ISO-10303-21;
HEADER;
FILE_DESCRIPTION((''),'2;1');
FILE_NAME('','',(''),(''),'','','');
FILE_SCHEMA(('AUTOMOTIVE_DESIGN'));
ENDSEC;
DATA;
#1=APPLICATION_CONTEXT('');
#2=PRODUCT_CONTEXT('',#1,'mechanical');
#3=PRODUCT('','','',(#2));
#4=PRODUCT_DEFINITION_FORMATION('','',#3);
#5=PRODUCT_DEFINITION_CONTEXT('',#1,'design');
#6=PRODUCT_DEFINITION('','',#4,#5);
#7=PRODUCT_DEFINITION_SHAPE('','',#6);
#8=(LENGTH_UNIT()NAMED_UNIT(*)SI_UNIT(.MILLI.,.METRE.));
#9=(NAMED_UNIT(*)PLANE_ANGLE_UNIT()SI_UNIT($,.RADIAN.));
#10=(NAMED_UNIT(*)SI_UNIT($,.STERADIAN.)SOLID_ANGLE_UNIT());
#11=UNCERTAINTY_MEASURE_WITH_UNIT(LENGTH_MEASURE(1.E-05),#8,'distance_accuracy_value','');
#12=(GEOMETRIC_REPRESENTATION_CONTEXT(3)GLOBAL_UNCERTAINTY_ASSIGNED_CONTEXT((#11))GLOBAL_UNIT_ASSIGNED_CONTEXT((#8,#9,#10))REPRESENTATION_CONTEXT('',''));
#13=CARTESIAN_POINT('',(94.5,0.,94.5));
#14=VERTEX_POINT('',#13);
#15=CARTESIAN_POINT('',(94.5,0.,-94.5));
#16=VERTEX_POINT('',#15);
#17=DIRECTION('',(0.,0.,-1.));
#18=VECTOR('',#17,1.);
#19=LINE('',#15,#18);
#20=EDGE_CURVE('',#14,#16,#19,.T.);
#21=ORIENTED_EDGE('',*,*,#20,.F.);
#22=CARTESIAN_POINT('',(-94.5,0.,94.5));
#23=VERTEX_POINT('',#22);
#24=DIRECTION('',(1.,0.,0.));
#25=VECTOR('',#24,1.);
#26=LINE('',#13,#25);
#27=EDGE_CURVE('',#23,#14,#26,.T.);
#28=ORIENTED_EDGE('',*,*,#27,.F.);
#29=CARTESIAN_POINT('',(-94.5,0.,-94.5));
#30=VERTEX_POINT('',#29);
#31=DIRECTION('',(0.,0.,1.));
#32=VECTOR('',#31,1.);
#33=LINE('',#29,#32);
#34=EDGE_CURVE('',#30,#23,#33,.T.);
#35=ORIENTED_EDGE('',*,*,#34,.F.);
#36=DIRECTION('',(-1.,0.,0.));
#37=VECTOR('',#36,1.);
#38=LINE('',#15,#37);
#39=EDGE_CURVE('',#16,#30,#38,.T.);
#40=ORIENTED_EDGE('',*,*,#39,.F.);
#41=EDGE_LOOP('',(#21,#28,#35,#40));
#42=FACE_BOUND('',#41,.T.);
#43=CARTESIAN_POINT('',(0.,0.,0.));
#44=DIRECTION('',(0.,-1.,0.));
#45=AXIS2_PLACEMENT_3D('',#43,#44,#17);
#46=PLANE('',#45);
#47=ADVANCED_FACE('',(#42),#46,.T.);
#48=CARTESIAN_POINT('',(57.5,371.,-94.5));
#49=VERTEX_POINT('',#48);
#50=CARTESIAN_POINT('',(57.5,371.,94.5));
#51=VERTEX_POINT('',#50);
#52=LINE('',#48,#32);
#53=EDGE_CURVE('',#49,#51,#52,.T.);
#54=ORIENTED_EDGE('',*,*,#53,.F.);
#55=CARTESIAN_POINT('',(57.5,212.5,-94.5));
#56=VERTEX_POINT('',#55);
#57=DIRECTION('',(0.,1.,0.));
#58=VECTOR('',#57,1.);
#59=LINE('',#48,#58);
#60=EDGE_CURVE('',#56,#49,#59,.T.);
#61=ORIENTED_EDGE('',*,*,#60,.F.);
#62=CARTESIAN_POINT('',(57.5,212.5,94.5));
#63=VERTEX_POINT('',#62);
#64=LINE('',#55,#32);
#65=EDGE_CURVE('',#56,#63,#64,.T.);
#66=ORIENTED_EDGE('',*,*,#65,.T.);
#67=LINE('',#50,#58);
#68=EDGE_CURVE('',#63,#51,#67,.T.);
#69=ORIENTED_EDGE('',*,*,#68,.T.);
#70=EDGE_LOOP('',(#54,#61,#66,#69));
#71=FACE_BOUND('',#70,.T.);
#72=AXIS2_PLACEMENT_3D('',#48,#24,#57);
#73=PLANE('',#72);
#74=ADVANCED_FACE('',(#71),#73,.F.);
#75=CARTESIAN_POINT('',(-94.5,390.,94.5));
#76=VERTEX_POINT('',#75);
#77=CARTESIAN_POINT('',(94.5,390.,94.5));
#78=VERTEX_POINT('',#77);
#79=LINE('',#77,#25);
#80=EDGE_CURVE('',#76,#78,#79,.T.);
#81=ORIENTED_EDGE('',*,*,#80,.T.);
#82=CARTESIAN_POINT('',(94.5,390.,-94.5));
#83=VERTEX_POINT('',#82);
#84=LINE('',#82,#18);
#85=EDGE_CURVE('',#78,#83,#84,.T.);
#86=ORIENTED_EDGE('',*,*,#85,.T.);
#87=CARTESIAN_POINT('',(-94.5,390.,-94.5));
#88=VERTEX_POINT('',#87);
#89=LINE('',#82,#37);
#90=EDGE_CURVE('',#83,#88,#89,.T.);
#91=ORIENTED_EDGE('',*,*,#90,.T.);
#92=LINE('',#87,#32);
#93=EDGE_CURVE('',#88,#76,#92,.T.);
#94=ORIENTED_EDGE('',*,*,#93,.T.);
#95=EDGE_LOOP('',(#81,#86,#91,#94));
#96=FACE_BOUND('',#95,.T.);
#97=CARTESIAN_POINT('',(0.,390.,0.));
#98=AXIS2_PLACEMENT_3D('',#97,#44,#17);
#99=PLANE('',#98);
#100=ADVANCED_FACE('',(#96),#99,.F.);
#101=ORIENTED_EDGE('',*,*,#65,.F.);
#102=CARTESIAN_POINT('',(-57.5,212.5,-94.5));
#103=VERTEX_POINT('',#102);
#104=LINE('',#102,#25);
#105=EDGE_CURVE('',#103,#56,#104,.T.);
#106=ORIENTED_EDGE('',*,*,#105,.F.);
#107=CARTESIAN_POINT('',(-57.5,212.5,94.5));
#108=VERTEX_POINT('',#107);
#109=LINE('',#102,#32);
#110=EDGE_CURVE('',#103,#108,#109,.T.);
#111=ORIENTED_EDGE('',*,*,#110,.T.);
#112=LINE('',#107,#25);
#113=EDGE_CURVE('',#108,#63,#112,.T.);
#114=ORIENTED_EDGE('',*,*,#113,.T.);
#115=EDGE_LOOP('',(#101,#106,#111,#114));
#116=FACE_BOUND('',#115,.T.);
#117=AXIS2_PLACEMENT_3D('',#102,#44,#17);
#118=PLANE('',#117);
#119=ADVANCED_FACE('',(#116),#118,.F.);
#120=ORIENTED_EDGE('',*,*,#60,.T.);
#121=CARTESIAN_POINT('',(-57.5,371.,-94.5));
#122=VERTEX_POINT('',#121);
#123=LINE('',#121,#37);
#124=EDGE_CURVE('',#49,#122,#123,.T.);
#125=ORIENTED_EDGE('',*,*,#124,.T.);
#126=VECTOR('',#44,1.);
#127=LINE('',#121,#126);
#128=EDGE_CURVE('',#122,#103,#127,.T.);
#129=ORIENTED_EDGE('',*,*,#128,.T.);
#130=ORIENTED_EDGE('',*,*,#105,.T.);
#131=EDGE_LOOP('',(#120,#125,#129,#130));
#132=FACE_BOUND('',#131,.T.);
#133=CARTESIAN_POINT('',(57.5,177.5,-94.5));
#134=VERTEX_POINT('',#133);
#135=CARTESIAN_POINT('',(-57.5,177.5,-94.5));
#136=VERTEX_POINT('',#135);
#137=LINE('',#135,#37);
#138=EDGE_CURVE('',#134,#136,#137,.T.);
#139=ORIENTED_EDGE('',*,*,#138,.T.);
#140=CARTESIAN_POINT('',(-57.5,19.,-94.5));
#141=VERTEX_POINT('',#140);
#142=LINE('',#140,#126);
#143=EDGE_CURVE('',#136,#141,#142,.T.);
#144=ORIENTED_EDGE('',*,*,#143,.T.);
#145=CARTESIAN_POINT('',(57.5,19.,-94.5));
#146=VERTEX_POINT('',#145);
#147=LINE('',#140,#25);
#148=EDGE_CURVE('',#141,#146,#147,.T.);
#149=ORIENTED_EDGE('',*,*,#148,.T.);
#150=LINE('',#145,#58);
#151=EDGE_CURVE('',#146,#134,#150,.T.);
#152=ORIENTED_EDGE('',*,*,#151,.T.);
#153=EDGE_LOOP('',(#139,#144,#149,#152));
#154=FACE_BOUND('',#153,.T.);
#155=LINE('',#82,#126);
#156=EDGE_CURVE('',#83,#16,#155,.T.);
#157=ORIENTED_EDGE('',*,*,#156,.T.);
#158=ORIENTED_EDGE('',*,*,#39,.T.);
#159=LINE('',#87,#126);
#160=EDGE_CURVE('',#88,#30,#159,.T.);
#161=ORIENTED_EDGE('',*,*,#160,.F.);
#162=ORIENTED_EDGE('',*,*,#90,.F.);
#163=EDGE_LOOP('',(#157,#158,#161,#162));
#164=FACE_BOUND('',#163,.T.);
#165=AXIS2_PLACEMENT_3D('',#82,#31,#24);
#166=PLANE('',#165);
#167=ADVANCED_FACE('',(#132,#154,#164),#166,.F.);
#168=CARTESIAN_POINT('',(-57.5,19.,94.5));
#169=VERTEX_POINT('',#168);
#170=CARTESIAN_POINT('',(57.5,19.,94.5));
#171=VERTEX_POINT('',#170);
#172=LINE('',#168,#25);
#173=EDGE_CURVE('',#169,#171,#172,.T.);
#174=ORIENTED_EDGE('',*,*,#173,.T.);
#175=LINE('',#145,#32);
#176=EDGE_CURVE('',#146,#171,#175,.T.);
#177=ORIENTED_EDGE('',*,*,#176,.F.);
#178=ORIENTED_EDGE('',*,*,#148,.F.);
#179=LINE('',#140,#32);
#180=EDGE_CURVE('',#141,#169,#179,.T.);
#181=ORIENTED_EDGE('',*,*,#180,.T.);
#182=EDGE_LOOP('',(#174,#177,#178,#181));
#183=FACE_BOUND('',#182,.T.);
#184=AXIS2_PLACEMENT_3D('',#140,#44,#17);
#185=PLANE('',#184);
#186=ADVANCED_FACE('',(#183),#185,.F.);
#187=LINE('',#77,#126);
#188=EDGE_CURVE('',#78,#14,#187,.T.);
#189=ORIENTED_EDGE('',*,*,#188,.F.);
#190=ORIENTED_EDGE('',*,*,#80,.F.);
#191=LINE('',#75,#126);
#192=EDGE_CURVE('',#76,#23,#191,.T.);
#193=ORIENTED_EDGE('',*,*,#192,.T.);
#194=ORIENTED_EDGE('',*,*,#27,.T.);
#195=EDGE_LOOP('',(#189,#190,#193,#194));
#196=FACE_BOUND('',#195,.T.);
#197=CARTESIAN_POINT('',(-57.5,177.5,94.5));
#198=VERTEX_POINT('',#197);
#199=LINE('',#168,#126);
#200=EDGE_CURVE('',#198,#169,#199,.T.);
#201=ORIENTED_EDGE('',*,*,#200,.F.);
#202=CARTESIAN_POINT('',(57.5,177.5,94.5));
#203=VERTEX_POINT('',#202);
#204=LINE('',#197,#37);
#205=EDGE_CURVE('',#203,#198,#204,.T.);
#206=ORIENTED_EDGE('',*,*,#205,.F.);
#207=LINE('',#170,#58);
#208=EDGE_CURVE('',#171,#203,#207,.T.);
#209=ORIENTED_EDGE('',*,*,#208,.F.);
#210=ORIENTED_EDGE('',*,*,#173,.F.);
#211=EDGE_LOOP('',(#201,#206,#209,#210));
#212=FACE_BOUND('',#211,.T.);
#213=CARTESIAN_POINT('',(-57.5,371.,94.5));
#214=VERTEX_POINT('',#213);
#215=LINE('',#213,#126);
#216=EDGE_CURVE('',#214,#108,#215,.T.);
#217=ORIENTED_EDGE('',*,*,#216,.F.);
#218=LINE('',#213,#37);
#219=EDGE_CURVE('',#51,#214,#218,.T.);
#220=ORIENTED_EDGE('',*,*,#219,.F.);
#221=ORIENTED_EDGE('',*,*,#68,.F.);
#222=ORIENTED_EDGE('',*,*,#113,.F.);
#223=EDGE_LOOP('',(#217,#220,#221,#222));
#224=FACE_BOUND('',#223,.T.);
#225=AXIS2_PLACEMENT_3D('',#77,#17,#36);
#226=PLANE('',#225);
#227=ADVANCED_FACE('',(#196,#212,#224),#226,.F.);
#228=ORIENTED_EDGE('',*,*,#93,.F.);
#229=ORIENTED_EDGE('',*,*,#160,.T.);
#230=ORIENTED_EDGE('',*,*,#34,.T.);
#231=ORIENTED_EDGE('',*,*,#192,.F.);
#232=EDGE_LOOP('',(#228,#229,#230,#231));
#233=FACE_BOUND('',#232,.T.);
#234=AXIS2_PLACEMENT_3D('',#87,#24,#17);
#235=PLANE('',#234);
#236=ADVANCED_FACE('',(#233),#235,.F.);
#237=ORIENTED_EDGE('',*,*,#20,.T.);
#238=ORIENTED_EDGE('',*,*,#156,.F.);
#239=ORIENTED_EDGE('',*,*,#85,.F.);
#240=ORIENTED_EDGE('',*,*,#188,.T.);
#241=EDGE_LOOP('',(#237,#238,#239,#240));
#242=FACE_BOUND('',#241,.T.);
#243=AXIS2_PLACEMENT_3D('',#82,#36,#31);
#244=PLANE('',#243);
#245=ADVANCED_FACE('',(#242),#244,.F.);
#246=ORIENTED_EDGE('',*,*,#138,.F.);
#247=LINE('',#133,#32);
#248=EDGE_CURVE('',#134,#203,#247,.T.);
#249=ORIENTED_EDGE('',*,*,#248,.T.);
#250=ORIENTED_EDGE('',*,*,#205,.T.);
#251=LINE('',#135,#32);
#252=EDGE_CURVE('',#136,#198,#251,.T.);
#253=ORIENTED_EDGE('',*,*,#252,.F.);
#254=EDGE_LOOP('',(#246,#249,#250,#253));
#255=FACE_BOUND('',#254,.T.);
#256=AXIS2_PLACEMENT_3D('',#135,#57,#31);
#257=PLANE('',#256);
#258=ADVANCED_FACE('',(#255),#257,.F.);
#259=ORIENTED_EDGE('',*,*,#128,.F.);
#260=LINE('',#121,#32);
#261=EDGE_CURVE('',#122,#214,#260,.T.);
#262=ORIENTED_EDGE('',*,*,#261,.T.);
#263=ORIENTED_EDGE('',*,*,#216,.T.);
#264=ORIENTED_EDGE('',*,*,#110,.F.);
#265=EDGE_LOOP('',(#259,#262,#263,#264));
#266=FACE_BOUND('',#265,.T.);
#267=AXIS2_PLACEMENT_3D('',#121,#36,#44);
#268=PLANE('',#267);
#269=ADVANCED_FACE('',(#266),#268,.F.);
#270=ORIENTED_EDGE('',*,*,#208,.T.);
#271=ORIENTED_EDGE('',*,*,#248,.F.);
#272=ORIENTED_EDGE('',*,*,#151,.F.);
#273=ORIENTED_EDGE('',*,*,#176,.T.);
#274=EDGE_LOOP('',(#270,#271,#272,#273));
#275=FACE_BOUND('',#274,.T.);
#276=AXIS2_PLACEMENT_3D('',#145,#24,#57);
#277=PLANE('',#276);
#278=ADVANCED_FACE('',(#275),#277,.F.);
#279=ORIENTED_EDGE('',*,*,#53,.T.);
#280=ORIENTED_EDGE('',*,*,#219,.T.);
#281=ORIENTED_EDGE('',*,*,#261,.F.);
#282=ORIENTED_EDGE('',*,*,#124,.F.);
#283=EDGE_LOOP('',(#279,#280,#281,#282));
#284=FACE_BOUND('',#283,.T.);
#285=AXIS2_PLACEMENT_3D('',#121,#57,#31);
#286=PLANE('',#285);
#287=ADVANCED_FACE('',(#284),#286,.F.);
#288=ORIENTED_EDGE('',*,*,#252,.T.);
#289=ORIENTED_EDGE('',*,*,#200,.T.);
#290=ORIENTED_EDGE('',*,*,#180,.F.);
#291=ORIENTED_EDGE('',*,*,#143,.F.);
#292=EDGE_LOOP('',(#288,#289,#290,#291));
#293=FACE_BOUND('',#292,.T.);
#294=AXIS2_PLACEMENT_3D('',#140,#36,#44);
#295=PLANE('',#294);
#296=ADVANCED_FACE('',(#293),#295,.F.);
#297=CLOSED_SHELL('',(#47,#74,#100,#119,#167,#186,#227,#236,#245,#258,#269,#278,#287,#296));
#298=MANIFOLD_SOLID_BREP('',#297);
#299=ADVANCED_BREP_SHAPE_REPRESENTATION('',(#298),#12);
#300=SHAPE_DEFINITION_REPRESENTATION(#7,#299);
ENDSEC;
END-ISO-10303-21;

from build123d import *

# Parameters (mm, degrees)
SKETCH1_W           = 189
SKETCH1_H           = 189
BOSS_EXTRUDE1_DEPTH = 390
SKETCH2_W           = 115
SKETCH2_H           = 158.5
CUT_EXTRUDE1_DEPTH  = 444.56651136


with BuildPart() as part:
    # Sketch1 → Boss-Extrude1 (new body)
    with BuildSketch(Plane(origin=(0, 0, 0), x_dir=(1, 0, 0), z_dir=(0, 1, 0))):
        Rectangle(SKETCH1_W, SKETCH1_H)
    extrude(amount=BOSS_EXTRUDE1_DEPTH)

    # Sketch2 → Cut-Extrude1 (cut, through all)
    with BuildSketch(Plane.XY.offset(94.5)):
        with Locations((0, 291.75)):
            Rectangle(SKETCH2_W, SKETCH2_H)
        with Locations((0, 98.25)):
            Rectangle(SKETCH2_W, SKETCH2_H)
    extrude(amount=-CUT_EXTRUDE1_DEPTH, mode=Mode.SUBTRACT)


solid = part.part
